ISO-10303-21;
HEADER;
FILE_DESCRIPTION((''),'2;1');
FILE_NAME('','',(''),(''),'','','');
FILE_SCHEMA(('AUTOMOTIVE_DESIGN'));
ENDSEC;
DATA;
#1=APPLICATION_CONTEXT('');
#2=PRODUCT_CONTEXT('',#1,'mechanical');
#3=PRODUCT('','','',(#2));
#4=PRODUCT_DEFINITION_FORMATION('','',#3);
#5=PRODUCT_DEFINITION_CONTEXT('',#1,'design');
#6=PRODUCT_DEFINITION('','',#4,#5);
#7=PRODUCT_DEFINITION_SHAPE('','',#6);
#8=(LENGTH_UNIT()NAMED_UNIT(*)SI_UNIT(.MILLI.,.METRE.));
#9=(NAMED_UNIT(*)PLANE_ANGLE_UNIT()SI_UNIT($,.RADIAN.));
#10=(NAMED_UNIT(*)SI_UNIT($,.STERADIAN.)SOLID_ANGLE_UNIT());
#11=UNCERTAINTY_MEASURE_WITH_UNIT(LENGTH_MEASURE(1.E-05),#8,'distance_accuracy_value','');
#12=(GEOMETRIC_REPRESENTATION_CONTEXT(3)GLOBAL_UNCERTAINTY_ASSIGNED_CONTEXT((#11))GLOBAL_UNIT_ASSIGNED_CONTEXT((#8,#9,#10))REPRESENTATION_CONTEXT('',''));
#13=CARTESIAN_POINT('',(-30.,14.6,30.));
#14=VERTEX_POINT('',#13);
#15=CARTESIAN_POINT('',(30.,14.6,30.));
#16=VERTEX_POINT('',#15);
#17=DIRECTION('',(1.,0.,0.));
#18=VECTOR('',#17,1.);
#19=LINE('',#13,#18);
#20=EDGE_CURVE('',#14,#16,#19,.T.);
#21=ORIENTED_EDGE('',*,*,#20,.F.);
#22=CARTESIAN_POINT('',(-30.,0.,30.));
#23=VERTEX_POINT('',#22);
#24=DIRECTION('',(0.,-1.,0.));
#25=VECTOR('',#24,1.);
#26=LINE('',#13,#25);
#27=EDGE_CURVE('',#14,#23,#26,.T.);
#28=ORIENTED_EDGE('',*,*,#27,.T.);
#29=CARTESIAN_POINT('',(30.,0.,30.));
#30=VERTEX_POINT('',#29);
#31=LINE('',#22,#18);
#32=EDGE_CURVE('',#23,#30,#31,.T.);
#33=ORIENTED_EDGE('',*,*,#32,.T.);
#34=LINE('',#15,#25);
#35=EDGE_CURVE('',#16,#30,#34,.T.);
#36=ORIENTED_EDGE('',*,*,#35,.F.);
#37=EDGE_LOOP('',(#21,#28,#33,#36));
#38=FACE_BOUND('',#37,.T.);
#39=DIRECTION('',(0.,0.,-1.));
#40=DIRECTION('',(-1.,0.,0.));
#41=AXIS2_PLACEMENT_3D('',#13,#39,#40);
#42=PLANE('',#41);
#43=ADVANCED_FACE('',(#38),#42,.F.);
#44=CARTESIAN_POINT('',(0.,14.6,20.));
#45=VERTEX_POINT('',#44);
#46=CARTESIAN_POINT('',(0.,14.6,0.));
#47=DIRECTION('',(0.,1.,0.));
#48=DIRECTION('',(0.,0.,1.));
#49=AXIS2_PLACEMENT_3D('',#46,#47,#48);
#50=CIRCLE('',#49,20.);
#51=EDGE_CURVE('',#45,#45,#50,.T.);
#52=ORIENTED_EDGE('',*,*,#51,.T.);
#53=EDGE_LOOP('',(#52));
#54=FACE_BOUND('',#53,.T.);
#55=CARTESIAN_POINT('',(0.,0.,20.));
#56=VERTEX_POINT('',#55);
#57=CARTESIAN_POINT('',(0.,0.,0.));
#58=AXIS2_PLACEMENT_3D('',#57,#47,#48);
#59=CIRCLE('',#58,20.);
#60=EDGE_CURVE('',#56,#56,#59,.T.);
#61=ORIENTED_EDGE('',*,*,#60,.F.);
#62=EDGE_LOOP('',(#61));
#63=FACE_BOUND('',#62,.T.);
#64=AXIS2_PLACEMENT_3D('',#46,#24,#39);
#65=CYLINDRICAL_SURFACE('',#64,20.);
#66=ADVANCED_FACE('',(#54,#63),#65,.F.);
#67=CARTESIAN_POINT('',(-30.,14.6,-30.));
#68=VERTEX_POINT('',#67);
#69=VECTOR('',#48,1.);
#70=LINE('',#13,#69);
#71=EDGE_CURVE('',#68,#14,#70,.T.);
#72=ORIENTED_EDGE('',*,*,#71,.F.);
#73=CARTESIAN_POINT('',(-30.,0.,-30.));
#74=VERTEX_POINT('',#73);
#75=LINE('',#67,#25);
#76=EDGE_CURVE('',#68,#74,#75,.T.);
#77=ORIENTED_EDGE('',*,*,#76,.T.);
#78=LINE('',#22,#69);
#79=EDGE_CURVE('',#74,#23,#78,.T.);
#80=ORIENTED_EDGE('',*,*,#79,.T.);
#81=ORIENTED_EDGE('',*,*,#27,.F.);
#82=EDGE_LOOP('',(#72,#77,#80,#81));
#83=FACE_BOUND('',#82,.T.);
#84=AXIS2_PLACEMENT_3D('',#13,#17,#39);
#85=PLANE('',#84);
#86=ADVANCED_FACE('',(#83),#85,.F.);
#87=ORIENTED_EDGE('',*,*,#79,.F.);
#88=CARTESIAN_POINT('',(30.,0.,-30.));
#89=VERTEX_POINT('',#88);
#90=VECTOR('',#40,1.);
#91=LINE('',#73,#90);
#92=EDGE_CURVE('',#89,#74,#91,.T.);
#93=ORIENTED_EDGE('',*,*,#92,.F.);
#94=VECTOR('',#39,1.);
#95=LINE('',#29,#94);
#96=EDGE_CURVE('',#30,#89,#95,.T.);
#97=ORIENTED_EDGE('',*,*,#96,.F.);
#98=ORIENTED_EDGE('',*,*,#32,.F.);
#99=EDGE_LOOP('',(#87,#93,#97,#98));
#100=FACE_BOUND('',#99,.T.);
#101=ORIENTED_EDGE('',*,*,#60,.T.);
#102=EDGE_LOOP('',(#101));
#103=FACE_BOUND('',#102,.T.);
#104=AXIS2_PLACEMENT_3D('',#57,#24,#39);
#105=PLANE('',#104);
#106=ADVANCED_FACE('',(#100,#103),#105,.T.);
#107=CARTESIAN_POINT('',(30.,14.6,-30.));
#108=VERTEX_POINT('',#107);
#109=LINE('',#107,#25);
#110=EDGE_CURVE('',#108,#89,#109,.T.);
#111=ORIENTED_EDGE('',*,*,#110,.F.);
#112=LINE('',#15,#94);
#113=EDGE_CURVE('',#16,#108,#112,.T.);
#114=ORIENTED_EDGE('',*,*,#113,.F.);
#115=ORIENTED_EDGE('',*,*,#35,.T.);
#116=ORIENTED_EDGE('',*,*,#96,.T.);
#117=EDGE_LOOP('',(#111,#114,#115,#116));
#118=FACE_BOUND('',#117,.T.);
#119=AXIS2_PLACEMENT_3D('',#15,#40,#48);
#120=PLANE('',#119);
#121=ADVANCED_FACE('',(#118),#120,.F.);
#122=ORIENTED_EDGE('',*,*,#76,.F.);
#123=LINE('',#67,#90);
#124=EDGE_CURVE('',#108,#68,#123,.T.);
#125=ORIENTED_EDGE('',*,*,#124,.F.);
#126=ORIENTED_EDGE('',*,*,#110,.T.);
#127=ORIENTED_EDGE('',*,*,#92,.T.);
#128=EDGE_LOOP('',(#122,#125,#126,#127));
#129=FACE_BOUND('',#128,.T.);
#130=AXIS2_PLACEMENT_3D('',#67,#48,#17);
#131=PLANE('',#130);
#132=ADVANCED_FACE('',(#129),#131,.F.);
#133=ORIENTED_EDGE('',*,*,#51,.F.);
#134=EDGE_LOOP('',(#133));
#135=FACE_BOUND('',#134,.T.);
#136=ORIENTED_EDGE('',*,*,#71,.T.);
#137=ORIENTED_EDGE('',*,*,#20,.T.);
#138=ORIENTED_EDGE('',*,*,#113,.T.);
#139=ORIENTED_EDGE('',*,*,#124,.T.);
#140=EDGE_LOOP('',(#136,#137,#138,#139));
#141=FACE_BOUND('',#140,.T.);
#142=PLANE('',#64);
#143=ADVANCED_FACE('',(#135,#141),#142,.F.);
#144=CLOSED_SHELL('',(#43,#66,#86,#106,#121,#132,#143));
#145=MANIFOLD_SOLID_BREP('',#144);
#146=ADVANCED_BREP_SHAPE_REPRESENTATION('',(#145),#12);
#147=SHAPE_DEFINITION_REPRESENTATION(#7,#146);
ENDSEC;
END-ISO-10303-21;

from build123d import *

# Parameters (mm, degrees)
SKETCH1_W           = 60
SKETCH1_H           = 60
SKETCH1_R           = 20
BOSS_EXTRUDE1_DEPTH = 14.6


with BuildPart() as part:
    # Sketch1 → Boss-Extrude1 (new body)
    with BuildSketch(Plane(origin=(0, 0, 0), x_dir=(1, 0, 0), z_dir=(0, 1, 0))):
        Rectangle(SKETCH1_W, SKETCH1_H)
        Circle(SKETCH1_R, mode=Mode.SUBTRACT)
    extrude(amount=BOSS_EXTRUDE1_DEPTH)


solid = part.part
